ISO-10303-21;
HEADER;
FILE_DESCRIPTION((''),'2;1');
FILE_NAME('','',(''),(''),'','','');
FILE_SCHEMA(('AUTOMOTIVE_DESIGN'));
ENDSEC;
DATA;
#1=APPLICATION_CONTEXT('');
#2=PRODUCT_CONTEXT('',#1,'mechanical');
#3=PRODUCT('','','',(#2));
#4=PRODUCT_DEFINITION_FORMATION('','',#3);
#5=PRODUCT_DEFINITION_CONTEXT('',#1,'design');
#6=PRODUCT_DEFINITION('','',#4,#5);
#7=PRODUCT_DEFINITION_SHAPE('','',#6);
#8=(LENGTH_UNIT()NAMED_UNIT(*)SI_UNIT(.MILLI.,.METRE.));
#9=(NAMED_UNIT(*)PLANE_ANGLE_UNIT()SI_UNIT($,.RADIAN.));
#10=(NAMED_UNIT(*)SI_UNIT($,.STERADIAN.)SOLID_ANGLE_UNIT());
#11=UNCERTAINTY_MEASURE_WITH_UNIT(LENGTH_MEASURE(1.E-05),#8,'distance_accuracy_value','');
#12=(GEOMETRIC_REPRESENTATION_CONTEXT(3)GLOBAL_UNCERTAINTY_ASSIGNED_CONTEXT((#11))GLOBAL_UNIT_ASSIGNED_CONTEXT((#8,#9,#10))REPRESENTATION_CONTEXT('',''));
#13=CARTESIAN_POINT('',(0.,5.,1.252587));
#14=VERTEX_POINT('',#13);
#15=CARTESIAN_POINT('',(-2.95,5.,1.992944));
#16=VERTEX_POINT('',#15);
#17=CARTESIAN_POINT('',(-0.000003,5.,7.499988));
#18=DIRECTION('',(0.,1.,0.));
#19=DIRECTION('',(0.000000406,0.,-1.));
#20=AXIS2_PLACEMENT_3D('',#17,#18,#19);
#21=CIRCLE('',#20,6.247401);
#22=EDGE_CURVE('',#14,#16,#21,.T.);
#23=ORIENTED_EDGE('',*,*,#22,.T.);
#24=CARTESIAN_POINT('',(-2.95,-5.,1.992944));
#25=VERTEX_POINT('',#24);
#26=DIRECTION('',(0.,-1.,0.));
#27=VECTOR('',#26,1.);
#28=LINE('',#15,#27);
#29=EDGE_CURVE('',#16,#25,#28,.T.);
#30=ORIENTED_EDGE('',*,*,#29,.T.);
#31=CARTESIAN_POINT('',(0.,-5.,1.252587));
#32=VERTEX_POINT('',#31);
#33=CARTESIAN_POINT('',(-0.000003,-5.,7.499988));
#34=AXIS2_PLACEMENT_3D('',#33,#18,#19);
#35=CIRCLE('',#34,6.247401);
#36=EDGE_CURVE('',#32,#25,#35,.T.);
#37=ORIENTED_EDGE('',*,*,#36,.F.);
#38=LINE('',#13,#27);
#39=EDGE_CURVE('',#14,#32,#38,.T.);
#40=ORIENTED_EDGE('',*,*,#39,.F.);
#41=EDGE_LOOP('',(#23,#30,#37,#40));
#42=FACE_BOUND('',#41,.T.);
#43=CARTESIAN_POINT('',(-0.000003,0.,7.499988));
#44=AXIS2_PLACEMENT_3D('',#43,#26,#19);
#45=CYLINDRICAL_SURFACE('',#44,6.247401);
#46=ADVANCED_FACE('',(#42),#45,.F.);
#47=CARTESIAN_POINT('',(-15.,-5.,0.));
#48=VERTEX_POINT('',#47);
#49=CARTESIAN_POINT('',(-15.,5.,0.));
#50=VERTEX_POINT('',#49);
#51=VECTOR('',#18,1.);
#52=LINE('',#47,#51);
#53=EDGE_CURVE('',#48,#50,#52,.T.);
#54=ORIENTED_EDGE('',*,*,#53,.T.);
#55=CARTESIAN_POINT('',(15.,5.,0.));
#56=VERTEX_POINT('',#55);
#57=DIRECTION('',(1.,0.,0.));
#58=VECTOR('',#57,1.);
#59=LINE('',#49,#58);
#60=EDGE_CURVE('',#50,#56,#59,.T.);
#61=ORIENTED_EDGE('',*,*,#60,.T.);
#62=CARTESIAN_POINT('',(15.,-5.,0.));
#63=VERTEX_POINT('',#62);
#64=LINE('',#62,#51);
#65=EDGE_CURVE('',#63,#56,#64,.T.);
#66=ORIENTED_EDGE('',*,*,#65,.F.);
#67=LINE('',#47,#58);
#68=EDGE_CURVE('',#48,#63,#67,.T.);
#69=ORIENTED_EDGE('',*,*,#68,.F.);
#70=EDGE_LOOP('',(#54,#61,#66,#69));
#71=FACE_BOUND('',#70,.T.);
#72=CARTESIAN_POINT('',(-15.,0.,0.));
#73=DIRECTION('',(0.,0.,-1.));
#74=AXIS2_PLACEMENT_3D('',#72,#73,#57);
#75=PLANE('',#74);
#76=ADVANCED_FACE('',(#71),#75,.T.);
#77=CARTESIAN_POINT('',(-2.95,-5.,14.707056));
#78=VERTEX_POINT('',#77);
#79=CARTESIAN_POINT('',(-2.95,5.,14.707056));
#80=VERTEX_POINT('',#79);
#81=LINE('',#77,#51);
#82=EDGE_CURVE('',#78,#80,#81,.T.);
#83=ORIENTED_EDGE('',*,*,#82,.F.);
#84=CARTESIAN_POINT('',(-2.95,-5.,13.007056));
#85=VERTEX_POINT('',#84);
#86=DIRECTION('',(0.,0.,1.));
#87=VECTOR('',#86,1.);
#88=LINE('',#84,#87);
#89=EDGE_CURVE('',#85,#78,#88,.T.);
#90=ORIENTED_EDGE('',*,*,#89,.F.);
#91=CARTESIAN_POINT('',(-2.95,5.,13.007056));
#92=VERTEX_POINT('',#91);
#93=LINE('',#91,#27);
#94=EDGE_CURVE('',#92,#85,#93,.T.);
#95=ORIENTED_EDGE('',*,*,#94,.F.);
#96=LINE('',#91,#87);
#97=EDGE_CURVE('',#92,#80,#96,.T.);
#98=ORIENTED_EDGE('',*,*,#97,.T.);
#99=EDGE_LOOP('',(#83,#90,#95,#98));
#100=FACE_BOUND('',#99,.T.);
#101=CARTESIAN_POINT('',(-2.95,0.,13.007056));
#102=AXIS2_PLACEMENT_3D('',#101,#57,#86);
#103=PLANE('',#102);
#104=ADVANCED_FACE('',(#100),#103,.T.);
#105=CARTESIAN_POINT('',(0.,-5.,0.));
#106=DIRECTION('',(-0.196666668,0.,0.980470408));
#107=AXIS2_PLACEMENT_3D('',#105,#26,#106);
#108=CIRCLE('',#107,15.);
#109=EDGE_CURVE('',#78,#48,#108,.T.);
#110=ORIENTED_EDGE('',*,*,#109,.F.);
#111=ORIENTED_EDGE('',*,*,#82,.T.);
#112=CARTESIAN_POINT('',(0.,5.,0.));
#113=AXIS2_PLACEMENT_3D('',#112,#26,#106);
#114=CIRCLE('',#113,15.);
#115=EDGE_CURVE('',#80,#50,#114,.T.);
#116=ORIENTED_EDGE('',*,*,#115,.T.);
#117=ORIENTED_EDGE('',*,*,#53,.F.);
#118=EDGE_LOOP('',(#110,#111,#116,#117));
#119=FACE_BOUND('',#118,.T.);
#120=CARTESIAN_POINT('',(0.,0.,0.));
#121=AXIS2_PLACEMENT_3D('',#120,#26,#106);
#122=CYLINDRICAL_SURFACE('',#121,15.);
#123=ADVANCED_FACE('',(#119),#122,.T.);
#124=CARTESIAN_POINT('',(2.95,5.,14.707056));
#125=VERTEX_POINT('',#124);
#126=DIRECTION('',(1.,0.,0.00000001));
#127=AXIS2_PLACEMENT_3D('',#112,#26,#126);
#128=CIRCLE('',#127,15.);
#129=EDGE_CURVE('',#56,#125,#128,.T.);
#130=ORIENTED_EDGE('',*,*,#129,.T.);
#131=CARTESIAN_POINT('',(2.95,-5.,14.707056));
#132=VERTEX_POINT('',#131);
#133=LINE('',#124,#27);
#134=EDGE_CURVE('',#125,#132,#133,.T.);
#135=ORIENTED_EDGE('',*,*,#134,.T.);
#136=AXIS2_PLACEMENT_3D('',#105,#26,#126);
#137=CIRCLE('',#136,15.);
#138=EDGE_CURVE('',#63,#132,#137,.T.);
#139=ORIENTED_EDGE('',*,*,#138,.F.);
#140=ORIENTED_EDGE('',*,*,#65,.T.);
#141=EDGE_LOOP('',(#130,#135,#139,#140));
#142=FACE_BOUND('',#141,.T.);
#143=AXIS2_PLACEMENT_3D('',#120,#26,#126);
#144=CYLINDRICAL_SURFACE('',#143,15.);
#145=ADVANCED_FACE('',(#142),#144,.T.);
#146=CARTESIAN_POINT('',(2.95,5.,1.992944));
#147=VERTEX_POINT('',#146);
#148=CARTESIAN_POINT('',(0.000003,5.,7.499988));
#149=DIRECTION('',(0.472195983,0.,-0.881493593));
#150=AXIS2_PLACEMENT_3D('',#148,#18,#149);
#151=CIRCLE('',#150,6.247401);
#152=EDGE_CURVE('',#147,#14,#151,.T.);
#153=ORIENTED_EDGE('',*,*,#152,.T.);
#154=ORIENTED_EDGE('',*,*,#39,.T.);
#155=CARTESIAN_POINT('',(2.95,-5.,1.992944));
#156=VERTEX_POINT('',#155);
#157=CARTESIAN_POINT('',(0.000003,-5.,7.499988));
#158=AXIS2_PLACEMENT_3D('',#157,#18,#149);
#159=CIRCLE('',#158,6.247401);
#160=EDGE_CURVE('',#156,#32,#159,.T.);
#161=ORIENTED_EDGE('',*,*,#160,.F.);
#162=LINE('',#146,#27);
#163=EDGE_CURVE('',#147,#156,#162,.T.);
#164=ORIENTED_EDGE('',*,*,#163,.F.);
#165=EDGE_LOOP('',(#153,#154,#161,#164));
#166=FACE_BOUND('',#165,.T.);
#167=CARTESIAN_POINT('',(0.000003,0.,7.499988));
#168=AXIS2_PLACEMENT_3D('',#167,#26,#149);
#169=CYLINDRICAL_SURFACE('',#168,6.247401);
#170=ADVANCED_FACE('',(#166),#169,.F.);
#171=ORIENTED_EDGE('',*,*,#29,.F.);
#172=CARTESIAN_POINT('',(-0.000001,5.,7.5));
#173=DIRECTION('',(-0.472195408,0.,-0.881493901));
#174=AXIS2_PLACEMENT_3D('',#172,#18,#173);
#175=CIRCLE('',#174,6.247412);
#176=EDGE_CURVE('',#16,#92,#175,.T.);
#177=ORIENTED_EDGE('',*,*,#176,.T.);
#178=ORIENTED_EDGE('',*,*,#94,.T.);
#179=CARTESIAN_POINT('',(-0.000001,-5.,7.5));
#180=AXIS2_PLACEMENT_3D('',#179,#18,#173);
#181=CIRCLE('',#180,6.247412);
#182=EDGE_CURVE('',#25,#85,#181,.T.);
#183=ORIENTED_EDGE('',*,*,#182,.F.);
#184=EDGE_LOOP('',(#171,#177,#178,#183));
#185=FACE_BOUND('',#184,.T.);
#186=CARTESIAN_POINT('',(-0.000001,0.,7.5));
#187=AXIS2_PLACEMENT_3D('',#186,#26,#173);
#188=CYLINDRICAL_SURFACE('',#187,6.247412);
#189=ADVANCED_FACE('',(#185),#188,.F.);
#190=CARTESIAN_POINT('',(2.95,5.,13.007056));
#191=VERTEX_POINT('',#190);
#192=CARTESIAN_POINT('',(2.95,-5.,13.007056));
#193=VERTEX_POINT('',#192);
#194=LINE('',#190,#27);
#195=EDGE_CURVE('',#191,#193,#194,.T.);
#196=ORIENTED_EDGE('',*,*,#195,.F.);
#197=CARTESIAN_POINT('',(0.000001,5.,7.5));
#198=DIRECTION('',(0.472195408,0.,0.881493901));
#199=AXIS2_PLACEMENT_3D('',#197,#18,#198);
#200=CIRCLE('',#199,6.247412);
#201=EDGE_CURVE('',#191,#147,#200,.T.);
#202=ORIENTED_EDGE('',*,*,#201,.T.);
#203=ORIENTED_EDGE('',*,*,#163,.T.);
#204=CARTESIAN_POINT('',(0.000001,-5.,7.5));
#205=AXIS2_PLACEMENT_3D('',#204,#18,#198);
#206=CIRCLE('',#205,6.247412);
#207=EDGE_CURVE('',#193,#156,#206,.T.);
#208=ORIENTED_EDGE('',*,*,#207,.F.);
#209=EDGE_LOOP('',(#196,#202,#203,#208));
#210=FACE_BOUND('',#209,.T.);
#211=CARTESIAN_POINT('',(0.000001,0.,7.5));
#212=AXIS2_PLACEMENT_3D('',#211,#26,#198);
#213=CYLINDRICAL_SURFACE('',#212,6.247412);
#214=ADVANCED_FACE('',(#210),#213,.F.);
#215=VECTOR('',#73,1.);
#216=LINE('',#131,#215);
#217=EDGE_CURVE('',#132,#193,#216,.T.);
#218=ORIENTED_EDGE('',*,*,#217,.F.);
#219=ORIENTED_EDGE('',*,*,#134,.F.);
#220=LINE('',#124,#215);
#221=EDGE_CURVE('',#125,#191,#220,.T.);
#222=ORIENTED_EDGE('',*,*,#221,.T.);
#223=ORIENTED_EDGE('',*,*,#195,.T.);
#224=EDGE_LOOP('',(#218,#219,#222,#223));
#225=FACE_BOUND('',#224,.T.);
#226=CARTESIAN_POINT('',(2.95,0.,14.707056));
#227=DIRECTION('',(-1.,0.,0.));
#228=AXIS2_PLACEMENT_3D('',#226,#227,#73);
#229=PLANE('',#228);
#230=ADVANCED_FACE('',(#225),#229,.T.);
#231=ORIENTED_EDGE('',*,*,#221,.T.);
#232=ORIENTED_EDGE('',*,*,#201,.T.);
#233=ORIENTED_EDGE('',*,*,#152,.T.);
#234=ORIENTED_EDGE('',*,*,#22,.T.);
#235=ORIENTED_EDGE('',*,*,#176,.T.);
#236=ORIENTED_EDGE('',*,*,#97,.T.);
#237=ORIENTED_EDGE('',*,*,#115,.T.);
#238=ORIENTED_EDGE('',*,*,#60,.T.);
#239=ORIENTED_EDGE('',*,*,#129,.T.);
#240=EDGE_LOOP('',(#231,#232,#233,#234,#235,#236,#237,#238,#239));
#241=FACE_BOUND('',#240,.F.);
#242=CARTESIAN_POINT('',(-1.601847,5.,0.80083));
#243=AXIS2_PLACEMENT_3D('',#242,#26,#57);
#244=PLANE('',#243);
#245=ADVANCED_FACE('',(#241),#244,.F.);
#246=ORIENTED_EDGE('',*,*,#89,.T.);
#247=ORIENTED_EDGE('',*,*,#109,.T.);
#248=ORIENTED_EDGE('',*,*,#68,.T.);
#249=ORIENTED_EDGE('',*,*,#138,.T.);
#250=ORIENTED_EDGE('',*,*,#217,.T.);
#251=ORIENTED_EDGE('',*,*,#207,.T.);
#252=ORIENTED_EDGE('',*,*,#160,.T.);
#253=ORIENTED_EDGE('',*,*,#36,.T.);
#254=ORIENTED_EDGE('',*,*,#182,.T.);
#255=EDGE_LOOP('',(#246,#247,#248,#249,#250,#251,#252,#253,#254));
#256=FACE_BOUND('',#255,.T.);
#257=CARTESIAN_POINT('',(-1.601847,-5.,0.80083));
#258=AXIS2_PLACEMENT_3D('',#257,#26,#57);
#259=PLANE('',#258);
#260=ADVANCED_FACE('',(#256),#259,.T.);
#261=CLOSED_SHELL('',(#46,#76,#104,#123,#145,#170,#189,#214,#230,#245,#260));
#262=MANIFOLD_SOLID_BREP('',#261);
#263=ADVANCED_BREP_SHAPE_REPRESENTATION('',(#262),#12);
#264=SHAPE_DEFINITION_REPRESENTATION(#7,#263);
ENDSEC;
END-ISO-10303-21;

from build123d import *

# Parameters (mm, degrees)
F1_DEPTH = 5


with BuildPart() as f1:
    # F0 (on Front) → F1 (new body, symmetric)
    with BuildSketch(Plane.XZ):
        with BuildLine():
            Line((-2.95, 0), (0, 0))
            Line((0, 0), (0, 1.252587))
            ThreePointArc((0, 1.252587), (-1.520742, 1.440502), (-2.95, 1.992944))
            Line((-2.95, 1.992944), (-2.95, 0))
        make_face()
        with BuildLine():
            Line((0, 0), (2.95, 0))
            Line((2.95, 0), (2.95, 1.992944))
            ThreePointArc((2.95, 1.992944), (1.520742, 1.440502), (0, 1.252587))
            Line((0, 1.252587), (0, 0))
        make_face()
        with BuildLine():
            Line((2.95, 0), (15, 0))
            ThreePointArc((15, 0), (11.602801, 9.506577), (2.95, 14.707056))
            Line((2.95, 14.707056), (2.95, 13.007056))
            ThreePointArc((2.95, 13.007056), (6.247413, 7.5), (2.95, 1.992944))
            Line((2.95, 1.992944), (2.95, 0))
        make_face()
        with BuildLine():
            Line((-15, 0), (-2.95, 0))
            Line((-2.95, 0), (-2.95, 1.992944))
            ThreePointArc((-2.95, 1.992944), (-6.247413, 7.5), (-2.95, 13.007056))
            Line((-2.95, 13.007056), (-2.95, 13.857056))
            Line((-2.95, 13.857056), (-2.95, 14.707056))
            ThreePointArc((-2.95, 14.707056), (-11.602801, 9.506577), (-15, 0))
        make_face()
    extrude(amount=F1_DEPTH, both=True)


solid = f1.part
